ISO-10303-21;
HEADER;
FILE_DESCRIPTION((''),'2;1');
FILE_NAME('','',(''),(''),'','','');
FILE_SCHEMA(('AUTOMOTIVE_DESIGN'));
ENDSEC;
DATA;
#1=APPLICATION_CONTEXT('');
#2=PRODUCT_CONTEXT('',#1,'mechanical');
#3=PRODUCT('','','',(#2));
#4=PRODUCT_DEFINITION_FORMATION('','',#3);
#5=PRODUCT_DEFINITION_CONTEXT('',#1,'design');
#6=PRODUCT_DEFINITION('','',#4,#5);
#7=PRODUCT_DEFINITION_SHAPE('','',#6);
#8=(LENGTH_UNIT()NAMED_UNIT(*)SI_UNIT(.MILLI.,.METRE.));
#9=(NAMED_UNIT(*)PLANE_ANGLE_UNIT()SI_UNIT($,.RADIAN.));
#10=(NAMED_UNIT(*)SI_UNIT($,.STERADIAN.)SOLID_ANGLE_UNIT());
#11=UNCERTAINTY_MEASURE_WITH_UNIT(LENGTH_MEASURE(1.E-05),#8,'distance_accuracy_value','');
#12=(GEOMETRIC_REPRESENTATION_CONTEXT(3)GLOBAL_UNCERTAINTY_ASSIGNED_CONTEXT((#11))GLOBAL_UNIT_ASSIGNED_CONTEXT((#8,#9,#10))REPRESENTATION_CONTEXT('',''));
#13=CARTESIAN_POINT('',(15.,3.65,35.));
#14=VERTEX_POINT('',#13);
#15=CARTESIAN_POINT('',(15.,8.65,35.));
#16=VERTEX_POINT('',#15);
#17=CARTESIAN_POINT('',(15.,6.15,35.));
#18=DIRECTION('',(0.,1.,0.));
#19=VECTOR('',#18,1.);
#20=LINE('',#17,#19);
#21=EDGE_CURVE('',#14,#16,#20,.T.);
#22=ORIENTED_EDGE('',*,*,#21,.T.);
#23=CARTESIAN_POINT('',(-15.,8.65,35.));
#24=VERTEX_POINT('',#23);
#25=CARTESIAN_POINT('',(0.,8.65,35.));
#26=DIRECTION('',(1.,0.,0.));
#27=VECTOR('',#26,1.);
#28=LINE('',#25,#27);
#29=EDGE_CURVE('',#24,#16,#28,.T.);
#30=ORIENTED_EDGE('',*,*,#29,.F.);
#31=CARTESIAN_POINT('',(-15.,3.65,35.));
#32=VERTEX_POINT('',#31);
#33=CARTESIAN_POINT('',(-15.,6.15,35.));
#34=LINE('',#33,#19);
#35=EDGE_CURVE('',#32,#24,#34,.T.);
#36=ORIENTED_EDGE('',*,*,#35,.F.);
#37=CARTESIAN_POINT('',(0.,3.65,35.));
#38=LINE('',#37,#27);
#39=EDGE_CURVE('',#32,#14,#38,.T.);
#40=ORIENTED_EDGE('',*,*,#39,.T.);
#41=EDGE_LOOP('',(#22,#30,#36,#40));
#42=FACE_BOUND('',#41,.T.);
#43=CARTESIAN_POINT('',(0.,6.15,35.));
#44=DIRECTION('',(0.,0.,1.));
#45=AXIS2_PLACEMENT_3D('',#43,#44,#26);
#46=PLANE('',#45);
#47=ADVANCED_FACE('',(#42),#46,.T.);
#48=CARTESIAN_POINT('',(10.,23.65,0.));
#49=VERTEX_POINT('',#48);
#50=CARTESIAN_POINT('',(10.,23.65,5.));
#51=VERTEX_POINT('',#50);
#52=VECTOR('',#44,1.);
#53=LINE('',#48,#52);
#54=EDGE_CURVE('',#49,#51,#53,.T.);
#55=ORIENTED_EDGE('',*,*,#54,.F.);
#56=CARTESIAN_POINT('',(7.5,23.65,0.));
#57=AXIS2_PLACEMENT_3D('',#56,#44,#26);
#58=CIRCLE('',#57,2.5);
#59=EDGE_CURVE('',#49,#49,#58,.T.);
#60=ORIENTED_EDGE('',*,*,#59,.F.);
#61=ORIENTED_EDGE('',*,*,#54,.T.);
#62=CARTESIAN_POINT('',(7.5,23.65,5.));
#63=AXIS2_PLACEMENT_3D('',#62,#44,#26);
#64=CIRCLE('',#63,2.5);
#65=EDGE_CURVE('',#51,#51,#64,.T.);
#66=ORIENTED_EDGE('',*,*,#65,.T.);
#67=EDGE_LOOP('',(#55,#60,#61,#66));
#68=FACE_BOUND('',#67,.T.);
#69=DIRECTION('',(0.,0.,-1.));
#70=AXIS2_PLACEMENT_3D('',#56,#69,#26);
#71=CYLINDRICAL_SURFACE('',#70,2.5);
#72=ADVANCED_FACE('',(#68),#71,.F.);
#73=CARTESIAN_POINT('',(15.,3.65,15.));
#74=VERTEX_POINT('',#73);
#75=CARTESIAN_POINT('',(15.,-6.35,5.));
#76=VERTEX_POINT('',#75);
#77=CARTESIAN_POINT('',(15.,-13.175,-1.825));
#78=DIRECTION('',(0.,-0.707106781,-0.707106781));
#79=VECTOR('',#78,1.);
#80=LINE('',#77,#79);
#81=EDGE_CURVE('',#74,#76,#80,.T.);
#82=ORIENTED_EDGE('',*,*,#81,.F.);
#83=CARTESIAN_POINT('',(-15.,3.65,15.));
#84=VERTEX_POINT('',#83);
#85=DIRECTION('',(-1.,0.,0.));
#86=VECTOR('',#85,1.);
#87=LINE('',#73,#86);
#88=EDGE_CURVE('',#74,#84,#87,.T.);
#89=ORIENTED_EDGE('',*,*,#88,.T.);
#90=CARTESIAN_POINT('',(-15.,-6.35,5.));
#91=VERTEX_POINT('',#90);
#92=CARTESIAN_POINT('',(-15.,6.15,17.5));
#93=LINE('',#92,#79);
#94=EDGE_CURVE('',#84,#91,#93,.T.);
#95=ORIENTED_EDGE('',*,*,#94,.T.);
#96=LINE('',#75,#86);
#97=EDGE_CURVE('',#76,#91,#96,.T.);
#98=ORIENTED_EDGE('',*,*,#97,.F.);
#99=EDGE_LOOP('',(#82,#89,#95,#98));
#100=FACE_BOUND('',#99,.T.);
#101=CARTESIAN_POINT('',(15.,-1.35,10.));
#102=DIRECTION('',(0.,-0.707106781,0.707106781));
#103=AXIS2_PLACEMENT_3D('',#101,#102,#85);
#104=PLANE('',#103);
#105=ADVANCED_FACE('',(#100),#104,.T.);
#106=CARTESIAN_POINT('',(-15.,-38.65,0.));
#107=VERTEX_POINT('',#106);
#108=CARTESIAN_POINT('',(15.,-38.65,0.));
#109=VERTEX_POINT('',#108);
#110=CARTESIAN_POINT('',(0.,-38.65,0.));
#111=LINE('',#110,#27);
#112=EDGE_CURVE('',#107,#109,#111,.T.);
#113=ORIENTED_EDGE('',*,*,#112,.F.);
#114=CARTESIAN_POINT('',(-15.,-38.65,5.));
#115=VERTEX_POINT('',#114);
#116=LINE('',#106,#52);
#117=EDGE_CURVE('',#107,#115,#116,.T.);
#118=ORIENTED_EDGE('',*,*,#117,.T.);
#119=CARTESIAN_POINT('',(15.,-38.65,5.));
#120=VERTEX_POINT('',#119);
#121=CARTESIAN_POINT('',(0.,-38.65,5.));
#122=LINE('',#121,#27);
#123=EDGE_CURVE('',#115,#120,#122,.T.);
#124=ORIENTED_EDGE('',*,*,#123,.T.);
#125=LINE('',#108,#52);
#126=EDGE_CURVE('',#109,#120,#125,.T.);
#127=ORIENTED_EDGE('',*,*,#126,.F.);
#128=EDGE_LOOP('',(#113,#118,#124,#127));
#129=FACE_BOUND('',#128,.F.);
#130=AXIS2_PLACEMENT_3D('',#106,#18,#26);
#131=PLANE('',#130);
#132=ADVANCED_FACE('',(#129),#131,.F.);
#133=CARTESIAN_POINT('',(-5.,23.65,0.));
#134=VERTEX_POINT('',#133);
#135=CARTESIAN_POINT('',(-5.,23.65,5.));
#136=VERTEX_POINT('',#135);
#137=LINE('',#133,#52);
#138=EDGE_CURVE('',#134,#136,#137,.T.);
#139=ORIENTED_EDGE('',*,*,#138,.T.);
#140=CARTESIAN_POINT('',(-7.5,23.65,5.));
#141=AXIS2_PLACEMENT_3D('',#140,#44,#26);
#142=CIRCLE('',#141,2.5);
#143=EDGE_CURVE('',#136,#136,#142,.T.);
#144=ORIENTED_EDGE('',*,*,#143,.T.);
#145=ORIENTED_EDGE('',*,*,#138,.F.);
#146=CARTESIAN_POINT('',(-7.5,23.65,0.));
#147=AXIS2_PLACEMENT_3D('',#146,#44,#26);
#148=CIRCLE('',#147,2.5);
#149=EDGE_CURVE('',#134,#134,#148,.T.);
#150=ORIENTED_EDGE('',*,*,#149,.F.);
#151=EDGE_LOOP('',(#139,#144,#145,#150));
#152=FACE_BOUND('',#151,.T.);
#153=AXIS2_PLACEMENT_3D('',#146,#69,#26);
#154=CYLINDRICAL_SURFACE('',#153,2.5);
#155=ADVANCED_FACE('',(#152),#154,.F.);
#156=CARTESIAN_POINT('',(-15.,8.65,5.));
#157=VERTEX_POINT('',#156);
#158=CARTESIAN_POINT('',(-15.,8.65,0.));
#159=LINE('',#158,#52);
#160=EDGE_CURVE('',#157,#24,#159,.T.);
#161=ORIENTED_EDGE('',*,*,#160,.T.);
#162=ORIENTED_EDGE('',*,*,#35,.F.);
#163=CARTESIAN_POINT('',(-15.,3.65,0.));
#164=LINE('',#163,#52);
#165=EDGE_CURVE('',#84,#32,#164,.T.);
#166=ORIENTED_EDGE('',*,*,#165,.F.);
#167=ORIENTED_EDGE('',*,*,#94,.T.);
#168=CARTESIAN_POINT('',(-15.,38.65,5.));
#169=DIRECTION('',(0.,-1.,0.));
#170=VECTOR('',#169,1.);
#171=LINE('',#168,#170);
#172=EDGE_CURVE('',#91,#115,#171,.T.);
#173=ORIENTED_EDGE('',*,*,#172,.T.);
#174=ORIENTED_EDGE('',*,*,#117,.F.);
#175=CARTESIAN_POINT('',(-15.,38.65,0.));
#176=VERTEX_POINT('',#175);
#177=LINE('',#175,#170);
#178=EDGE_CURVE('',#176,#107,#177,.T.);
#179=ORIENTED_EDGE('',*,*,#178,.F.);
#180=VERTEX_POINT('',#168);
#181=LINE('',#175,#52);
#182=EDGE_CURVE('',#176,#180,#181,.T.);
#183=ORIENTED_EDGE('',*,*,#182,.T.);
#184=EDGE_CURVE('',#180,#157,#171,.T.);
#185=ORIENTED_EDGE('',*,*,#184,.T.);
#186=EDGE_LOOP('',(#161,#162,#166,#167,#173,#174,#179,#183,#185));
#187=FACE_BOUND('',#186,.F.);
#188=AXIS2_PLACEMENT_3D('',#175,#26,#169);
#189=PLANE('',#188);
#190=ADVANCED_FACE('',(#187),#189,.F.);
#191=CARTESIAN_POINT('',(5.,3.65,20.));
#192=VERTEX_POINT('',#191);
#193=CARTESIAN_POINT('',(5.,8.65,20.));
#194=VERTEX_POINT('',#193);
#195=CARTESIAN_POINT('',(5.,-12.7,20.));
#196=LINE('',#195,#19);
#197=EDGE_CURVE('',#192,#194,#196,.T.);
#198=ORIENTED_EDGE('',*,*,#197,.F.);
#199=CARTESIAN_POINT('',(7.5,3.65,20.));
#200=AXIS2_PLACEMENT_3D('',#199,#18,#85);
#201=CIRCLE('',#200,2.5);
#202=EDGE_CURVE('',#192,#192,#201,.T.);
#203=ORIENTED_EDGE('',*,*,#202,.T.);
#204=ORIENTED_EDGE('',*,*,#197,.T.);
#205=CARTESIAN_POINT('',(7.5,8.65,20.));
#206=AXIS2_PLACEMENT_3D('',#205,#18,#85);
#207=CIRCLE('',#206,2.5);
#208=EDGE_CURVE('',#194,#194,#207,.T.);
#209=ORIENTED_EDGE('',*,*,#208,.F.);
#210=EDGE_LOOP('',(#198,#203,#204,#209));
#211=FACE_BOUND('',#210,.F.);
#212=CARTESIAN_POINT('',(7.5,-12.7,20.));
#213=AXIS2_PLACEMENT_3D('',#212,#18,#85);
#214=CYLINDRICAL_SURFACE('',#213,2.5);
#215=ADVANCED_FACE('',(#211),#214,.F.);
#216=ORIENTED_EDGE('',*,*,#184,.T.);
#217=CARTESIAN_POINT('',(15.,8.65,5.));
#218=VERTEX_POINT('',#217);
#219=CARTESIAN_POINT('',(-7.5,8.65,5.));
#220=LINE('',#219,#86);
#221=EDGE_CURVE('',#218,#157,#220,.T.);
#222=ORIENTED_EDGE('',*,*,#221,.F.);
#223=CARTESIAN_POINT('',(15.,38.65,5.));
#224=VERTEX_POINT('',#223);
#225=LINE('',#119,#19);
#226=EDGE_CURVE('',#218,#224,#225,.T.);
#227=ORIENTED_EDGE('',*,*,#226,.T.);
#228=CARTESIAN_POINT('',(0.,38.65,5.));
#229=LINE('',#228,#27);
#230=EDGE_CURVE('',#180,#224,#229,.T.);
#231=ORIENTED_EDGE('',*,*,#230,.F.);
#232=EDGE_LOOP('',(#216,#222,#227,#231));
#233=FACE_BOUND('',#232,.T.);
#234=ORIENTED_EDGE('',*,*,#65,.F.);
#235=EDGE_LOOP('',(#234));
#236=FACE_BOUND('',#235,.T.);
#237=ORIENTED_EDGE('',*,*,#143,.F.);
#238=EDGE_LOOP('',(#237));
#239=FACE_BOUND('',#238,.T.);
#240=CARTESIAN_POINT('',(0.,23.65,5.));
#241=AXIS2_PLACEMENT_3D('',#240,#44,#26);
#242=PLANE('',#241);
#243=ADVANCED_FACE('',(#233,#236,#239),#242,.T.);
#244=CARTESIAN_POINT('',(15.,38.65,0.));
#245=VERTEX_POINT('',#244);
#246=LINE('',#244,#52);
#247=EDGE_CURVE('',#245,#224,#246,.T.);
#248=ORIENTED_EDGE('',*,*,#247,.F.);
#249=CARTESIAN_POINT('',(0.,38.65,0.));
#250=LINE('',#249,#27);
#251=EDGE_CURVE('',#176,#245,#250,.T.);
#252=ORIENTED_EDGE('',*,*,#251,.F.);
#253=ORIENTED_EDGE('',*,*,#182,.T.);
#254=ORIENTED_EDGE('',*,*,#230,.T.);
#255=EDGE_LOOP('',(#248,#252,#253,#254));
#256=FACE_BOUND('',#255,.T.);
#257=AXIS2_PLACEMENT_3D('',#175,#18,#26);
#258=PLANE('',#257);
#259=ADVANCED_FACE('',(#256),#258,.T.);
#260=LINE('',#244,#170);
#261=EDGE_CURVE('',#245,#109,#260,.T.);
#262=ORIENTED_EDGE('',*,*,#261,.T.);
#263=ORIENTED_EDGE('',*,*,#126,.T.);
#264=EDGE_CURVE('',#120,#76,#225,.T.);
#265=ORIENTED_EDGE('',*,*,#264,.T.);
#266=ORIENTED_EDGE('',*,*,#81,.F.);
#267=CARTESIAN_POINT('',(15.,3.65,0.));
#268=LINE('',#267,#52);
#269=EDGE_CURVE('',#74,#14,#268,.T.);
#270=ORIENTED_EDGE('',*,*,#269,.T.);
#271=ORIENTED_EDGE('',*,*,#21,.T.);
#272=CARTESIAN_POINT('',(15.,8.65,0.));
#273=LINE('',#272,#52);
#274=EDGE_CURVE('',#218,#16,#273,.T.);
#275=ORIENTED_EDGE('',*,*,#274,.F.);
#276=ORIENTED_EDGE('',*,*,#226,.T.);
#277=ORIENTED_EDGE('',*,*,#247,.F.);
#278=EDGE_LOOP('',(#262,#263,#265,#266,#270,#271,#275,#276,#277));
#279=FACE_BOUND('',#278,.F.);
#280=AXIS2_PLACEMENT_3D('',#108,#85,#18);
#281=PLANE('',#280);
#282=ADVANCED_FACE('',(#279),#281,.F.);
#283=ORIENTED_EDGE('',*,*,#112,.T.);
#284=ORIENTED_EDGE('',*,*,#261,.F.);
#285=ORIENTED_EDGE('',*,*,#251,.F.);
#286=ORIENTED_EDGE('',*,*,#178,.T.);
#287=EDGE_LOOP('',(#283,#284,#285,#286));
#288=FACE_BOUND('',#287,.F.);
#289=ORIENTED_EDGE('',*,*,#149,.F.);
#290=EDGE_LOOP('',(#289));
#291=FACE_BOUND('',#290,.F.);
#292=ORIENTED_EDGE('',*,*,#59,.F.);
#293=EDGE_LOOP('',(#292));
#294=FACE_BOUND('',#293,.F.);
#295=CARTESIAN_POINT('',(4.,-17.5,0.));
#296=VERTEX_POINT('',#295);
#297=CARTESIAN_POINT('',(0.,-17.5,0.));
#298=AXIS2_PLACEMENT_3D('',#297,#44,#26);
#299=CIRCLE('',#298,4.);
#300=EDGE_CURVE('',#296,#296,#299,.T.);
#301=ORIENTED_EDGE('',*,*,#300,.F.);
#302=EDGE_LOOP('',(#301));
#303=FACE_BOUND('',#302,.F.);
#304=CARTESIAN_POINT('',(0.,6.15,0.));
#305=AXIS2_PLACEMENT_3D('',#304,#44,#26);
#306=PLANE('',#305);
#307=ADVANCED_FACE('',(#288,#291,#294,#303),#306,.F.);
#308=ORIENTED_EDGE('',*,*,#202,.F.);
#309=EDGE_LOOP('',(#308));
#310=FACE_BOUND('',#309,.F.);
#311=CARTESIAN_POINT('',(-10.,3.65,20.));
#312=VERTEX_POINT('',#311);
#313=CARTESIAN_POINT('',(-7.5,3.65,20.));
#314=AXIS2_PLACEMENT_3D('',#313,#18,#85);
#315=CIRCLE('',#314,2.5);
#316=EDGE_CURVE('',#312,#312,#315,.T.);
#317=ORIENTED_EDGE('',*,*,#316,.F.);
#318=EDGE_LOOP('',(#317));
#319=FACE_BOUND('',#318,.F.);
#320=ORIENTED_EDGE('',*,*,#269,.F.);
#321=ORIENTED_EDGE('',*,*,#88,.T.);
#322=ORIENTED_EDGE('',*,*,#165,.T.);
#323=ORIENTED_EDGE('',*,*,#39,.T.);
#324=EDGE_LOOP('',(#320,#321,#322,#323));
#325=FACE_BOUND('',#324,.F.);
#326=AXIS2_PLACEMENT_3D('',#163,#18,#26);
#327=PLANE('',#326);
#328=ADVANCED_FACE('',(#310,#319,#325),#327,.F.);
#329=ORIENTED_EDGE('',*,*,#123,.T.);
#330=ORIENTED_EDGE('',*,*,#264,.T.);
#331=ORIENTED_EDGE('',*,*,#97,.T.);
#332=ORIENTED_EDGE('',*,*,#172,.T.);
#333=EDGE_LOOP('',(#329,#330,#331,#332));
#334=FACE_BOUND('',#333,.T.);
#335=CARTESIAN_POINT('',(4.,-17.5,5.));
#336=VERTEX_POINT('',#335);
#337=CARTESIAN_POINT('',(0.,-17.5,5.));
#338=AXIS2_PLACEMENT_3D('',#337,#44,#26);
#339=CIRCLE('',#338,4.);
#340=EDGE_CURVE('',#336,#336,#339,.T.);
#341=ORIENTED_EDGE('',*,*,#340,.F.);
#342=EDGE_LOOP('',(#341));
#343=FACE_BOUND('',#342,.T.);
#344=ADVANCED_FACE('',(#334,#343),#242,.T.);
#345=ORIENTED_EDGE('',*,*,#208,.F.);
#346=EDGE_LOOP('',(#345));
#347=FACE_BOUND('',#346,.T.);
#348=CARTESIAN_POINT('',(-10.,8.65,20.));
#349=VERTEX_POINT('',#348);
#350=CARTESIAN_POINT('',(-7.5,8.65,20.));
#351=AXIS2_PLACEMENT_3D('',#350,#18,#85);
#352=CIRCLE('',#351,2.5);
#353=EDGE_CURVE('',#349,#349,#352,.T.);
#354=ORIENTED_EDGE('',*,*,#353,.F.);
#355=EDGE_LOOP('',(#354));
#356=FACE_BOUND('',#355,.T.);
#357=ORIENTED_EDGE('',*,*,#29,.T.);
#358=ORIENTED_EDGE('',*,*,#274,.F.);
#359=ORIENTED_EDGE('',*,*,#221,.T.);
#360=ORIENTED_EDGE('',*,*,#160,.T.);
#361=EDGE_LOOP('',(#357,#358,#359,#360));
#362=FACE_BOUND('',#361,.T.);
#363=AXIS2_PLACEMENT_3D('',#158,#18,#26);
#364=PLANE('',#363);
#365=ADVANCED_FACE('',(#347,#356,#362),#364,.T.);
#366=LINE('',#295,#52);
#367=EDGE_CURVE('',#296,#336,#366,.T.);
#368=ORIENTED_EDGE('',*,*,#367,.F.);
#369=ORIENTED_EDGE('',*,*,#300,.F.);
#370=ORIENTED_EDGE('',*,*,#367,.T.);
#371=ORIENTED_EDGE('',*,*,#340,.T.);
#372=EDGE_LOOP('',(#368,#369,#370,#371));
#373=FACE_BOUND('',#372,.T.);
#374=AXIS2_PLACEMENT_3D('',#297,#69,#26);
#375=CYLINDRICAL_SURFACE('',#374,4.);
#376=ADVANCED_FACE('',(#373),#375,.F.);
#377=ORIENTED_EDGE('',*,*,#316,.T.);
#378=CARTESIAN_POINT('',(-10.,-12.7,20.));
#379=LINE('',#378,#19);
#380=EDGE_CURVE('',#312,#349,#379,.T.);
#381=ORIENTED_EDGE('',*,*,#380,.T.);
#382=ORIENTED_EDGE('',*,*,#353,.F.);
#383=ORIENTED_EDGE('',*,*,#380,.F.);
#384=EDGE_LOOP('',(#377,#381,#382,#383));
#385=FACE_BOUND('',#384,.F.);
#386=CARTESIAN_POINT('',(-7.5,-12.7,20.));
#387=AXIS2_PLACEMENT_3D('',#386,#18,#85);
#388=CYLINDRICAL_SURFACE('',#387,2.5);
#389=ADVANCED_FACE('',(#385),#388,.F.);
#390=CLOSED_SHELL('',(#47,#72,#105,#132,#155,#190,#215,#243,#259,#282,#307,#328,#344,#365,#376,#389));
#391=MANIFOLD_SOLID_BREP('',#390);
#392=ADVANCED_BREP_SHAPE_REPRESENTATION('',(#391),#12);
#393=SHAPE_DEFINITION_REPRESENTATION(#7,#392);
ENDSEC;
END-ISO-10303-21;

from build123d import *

# Parameters (mm, degrees)
F0_W     = 30
F0_H     = 30
F0_R     = 2.5
F0_H_2   = 5
F0_H_3   = 42.3
F0_R_2   = 4
F1_DEPTH = 5
F2_DEPTH = 35
F4_D     = 5
F4_DEPTH = 12.7
F5_SIZE  = 10


with BuildPart() as f1:
    # F0 (on Top) → F1 (new body)
    with BuildSketch(Plane.XY):
        with Locations((0, 23.65)):
            Rectangle(F0_W, F0_H)
        with Locations((-7.5, 23.65)):
            Circle(F0_R, mode=Mode.SUBTRACT)
        with Locations((7.5, 23.65)):
            Circle(F0_R, mode=Mode.SUBTRACT)
        with Locations((0, 6.15)):
            Rectangle(F0_W, F0_H_2)
        with Locations((0, -17.5)):
            Rectangle(F0_W, F0_H_3)
        with Locations((0, -17.5)):
            Circle(F0_R_2, mode=Mode.SUBTRACT)
    extrude(amount=F1_DEPTH)

    # F0 (on Top) → F2 (join)
    with BuildSketch(Plane.XY):
        with Locations((0, 6.15)):
            Rectangle(F0_W, F0_H_2)
    extrude(amount=F2_DEPTH)

    # F4
    with Locations(Plane.XZ):
        with Locations((-7.5, 20), (7.5, 20)):
            Hole(F4_D / 2, depth=F4_DEPTH)

    # F5
    f5_edges = [f1.edges().sort_by_distance(p)[0] for p in [
        (0, 3.65, 5),
    ]]
    chamfer(f5_edges, length=F5_SIZE)


solid = f1.part
